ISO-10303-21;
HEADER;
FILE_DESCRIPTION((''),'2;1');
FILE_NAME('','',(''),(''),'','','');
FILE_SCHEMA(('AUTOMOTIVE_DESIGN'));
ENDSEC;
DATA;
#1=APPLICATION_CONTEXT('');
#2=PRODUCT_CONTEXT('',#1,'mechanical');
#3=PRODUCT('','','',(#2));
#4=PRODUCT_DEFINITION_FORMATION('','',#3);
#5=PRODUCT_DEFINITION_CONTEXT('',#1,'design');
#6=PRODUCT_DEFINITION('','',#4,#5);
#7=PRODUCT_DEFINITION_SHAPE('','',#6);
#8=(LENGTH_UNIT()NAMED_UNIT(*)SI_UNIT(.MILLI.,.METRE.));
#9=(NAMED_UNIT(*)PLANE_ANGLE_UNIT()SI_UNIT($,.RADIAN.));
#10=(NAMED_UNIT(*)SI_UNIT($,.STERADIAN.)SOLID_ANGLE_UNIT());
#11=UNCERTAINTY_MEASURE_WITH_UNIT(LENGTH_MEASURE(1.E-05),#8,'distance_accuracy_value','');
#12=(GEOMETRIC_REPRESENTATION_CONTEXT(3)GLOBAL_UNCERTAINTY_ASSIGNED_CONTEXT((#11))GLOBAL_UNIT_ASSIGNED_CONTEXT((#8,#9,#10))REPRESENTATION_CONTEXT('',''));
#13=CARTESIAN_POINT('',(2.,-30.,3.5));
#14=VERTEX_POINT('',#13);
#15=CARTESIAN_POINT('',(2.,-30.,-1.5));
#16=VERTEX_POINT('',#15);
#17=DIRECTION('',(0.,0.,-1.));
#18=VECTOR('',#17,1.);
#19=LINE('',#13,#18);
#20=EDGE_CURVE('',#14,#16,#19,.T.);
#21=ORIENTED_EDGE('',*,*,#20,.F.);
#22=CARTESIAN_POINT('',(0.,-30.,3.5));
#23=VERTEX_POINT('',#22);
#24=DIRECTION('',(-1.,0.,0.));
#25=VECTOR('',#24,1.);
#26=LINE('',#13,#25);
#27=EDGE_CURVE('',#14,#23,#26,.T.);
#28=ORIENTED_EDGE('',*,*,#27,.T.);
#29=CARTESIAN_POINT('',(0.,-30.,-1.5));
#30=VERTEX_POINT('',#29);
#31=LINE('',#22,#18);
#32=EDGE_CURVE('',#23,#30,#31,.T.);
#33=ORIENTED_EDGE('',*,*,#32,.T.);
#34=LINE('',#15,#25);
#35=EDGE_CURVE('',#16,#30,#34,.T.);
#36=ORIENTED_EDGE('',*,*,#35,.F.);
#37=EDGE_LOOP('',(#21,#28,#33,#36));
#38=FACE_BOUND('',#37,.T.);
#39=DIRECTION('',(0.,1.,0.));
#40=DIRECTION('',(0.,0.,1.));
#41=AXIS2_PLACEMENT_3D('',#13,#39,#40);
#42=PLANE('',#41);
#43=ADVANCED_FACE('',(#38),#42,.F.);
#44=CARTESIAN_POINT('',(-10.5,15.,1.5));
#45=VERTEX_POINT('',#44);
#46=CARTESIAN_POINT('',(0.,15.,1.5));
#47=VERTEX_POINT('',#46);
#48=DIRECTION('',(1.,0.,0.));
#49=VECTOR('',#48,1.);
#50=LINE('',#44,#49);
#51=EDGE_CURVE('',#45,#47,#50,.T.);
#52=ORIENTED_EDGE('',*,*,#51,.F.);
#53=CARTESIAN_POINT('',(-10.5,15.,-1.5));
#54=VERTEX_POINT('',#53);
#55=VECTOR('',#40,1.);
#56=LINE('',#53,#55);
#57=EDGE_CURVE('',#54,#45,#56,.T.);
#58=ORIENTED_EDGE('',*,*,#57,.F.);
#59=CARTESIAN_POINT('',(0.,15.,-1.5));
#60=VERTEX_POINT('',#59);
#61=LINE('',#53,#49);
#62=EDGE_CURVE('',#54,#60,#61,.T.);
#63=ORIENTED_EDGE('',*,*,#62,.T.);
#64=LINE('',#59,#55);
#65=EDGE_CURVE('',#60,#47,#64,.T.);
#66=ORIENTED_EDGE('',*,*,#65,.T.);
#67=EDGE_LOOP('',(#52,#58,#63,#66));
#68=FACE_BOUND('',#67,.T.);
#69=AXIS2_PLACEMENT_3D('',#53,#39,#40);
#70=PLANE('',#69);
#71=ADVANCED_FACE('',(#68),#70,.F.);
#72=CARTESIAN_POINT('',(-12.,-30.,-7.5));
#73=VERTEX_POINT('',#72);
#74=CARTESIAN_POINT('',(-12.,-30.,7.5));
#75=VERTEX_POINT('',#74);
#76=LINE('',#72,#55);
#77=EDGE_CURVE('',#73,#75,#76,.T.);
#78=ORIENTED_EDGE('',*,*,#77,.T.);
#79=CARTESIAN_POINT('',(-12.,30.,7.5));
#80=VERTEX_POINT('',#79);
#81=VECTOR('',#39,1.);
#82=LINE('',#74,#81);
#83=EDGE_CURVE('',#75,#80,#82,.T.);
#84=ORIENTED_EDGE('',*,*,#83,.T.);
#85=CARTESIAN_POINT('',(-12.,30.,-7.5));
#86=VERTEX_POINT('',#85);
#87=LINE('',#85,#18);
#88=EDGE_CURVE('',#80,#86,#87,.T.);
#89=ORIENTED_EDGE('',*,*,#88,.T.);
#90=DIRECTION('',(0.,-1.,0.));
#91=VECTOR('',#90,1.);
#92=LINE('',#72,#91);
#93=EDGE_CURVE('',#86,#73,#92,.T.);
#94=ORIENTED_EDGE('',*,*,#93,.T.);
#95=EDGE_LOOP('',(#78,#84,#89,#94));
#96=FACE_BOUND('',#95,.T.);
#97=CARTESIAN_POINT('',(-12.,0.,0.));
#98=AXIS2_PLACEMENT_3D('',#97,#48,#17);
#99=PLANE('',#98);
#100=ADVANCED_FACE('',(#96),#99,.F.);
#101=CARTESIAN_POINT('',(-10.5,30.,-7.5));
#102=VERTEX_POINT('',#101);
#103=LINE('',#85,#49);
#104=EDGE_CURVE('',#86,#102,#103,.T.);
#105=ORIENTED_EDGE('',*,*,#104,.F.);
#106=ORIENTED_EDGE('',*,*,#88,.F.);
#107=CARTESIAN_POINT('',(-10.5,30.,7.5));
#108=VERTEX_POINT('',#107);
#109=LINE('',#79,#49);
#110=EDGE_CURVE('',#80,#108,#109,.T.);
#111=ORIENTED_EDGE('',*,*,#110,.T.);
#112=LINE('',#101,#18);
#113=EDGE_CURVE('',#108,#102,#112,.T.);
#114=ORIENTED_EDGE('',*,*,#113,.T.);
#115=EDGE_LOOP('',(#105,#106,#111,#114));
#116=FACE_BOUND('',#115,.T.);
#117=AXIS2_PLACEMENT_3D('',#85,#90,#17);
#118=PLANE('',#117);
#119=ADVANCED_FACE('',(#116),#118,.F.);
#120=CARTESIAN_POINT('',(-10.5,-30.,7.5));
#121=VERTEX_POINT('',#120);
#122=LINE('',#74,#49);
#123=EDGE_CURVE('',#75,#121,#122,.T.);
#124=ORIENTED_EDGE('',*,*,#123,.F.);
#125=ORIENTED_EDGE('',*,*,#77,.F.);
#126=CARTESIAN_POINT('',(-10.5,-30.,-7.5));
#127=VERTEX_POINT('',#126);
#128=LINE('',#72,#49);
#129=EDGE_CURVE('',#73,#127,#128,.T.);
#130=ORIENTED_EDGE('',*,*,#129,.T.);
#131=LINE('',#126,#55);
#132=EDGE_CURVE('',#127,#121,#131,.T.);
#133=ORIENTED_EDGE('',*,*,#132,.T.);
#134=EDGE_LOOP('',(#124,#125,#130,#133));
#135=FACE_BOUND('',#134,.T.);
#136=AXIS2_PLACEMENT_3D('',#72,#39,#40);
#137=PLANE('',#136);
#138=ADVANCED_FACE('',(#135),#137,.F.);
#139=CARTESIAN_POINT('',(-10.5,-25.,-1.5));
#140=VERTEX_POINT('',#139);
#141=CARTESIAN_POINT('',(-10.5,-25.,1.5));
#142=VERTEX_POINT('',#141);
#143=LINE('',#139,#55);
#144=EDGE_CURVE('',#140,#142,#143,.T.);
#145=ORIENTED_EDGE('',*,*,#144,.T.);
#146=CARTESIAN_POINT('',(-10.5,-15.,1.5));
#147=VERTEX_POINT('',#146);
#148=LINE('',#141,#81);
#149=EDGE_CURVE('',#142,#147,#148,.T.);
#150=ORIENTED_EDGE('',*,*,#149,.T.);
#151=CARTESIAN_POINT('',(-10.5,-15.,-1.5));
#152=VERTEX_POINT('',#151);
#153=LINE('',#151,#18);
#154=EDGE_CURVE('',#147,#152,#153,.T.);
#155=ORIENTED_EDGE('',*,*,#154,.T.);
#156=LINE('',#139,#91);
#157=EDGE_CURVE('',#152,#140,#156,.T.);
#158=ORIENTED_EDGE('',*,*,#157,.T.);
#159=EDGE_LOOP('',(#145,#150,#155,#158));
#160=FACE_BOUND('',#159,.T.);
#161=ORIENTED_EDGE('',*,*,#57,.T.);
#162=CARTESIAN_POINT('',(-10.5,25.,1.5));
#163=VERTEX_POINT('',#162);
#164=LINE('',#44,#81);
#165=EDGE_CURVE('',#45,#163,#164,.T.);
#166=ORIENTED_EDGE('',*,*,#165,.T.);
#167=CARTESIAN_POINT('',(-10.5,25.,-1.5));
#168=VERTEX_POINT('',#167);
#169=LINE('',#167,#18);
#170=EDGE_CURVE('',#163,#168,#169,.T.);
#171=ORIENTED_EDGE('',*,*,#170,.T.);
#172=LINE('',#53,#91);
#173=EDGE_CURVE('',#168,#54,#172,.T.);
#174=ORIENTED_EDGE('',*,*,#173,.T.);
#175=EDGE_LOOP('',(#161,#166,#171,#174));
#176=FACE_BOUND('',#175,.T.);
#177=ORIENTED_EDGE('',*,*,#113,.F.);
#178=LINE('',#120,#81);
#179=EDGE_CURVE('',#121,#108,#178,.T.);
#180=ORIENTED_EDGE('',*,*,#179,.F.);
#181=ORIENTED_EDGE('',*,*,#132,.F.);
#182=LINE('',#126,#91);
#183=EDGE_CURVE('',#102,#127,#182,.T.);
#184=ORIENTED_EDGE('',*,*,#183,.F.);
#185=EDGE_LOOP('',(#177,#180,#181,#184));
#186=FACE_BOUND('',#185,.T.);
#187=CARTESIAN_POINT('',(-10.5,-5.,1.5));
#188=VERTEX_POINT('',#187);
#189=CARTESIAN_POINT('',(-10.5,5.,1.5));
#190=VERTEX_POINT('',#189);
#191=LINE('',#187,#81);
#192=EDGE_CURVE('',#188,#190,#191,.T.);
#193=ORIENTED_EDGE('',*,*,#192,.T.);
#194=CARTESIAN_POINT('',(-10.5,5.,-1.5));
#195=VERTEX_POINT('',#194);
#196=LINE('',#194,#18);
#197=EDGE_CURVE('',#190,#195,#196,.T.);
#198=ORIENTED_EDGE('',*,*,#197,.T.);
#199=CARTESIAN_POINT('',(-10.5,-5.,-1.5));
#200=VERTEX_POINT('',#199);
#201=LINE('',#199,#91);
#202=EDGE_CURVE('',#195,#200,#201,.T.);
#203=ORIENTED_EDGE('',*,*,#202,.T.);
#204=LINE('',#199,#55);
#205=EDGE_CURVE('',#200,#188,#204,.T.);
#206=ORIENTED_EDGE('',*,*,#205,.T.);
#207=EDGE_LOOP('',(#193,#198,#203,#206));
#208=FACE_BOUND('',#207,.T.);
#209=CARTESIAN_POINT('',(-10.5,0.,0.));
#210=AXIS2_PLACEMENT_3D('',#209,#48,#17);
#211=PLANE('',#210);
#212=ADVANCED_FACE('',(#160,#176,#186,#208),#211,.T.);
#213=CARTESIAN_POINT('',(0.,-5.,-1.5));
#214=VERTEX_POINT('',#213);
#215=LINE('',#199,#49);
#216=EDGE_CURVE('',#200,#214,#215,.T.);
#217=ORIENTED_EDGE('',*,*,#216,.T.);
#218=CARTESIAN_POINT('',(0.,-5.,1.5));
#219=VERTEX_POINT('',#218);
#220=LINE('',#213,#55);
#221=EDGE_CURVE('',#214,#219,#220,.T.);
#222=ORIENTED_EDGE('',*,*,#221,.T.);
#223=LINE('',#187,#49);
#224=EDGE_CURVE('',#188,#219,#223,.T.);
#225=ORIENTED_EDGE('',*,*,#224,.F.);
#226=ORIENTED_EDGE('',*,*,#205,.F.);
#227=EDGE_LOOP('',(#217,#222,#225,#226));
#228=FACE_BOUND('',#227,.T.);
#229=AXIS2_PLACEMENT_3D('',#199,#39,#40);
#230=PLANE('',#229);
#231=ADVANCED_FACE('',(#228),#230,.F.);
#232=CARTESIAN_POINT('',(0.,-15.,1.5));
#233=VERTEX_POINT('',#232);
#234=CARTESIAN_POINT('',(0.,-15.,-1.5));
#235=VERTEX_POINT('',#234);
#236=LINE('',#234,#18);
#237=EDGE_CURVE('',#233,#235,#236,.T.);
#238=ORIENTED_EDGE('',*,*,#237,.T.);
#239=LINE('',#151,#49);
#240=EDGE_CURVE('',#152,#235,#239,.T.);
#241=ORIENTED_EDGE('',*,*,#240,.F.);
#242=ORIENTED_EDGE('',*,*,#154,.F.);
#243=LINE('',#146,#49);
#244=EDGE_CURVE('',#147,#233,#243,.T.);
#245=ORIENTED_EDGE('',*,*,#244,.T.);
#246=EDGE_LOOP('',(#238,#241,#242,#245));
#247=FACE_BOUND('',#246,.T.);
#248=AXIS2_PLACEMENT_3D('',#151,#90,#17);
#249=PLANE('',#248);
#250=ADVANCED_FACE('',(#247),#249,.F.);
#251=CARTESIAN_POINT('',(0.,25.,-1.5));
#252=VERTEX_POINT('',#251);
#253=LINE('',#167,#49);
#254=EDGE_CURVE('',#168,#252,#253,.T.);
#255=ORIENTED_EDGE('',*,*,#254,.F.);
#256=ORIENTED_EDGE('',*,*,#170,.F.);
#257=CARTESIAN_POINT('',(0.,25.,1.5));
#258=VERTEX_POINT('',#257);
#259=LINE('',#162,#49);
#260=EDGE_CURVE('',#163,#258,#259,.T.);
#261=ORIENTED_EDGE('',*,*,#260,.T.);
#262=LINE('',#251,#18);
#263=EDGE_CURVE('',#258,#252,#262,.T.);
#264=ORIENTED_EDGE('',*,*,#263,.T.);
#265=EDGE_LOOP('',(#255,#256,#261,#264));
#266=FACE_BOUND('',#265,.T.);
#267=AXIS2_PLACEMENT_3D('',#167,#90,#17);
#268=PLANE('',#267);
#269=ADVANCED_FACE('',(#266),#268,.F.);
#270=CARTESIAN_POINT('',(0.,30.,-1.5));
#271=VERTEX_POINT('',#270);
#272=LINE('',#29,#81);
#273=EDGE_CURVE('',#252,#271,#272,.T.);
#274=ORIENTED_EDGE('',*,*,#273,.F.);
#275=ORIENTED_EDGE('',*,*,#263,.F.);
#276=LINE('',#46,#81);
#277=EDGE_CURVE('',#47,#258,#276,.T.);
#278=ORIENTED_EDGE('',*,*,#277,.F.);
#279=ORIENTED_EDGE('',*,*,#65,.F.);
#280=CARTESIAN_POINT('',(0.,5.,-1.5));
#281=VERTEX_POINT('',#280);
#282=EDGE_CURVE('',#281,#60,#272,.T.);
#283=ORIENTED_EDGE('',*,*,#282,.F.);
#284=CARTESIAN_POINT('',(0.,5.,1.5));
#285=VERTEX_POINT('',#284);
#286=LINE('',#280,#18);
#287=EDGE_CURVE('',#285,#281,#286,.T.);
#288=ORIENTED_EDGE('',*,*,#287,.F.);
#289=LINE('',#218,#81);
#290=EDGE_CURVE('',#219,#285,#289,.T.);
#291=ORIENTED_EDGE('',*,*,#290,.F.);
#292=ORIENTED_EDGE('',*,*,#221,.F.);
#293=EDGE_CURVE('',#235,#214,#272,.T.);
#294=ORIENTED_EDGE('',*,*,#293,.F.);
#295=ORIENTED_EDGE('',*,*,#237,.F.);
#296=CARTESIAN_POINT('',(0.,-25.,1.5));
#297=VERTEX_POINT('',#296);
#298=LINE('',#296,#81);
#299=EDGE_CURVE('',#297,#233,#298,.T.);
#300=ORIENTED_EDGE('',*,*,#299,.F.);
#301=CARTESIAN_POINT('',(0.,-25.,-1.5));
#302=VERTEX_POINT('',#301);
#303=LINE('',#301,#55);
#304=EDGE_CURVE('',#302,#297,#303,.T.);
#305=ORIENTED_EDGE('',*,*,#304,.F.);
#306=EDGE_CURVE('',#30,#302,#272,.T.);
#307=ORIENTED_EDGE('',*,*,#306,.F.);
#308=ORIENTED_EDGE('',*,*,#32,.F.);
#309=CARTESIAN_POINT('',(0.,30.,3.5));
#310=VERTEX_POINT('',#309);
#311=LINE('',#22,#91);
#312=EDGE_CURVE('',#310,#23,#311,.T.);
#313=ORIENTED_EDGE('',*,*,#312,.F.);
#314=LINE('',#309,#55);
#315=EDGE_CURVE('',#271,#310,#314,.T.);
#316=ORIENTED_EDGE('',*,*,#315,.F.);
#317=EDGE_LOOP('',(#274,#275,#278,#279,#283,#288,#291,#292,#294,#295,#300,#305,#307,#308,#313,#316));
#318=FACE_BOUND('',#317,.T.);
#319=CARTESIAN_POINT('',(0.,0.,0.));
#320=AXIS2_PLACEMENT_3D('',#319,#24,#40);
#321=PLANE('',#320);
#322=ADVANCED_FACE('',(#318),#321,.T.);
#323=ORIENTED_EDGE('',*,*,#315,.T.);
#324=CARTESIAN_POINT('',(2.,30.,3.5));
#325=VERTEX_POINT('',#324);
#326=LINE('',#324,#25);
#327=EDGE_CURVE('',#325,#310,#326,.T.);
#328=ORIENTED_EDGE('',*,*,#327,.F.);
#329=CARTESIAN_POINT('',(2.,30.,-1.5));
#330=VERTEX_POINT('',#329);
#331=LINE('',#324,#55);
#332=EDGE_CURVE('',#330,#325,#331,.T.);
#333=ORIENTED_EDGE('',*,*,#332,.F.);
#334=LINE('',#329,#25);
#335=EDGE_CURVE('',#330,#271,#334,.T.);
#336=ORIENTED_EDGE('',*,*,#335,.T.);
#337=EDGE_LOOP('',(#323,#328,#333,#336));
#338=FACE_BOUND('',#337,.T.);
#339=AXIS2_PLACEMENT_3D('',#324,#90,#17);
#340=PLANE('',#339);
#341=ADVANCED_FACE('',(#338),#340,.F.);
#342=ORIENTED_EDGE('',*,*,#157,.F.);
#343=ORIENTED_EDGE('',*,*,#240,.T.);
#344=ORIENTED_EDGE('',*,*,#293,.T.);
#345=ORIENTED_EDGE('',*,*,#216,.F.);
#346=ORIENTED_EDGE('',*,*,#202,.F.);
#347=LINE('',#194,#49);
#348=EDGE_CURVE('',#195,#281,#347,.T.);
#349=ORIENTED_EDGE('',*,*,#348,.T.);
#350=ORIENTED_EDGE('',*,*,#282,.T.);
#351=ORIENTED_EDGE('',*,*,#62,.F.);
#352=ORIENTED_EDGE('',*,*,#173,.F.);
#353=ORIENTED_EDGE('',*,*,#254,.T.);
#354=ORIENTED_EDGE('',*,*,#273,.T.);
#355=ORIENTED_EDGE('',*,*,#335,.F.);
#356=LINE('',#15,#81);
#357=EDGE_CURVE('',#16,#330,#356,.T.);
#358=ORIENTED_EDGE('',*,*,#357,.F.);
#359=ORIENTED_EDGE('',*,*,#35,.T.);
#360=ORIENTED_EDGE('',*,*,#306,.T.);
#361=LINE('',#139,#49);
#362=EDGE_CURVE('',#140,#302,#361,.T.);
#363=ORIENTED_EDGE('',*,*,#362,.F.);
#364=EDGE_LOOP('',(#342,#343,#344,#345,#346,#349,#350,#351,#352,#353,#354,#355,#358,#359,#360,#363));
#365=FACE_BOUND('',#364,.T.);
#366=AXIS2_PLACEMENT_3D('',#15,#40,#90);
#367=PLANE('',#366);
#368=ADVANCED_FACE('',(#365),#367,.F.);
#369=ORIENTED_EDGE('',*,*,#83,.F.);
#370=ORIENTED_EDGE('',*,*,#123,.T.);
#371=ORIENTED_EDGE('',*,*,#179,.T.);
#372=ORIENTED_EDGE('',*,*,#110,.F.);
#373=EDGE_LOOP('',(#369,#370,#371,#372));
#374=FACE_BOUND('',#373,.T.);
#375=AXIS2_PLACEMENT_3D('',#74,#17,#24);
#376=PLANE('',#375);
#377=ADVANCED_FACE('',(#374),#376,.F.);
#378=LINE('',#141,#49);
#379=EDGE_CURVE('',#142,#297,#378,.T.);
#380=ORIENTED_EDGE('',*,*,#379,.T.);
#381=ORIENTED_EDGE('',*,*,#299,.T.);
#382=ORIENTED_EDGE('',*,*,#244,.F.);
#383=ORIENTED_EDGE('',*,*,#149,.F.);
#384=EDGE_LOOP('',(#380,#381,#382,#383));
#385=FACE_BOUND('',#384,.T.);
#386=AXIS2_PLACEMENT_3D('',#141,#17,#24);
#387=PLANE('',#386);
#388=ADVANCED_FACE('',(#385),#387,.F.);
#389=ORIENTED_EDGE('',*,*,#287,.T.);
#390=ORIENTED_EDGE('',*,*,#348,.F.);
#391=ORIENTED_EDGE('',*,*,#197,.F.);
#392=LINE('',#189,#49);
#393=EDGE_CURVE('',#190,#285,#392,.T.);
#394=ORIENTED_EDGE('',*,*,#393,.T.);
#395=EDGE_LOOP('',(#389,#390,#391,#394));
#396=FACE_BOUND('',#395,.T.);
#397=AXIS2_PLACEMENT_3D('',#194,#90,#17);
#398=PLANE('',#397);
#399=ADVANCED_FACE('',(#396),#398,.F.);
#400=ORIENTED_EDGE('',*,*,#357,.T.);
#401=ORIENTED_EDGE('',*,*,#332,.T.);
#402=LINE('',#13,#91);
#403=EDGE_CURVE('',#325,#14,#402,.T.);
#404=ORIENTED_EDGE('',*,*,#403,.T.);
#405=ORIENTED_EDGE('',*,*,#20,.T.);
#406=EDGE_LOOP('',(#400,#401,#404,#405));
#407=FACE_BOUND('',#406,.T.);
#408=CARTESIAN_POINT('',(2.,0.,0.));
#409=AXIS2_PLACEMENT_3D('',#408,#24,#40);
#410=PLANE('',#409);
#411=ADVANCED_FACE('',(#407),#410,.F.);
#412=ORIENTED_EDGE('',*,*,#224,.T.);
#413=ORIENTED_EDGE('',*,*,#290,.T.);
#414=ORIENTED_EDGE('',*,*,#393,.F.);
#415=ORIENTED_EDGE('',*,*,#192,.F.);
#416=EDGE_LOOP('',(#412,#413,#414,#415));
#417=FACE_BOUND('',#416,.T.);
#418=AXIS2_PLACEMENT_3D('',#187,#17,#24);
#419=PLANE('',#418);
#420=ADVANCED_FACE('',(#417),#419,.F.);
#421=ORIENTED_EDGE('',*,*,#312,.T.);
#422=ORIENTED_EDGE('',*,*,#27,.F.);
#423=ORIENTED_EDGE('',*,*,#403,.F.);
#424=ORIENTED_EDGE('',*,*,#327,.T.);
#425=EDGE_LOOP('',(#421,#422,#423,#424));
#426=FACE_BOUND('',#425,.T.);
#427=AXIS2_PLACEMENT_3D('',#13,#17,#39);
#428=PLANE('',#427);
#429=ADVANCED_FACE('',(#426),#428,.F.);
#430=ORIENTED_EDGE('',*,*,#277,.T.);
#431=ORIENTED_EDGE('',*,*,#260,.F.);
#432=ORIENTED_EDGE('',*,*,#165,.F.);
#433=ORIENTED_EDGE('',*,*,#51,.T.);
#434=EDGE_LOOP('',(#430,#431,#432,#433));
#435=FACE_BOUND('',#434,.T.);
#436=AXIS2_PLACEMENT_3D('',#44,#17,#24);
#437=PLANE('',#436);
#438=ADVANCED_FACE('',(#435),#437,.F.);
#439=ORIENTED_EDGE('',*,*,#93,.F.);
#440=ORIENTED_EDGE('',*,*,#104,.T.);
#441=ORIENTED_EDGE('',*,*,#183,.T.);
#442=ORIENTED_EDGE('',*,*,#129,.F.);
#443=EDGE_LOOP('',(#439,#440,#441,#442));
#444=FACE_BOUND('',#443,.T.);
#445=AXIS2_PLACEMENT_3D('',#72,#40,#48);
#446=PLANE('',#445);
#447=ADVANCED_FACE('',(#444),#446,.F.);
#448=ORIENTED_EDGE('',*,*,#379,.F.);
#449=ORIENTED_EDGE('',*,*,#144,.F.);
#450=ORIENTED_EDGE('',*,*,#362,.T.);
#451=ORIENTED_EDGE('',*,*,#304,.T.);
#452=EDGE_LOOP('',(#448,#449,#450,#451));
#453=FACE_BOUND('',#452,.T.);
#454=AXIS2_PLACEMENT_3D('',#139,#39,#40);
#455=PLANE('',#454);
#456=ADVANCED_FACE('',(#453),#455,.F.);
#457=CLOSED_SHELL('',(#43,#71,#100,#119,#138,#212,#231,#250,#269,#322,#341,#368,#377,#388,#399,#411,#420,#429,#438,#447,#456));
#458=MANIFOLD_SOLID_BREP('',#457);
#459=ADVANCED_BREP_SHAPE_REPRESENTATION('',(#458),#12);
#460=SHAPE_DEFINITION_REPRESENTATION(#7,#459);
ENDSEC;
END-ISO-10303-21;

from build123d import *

# Parameters (mm, degrees)
SKETCH_1_W      = 5
SKETCH_1_H      = 60
EXTRUDE_1_DEPTH = 2
SKETCH_2_W      = 3
SKETCH_2_H      = 10
EXTRUDE_2_DEPTH = 10.5
SKETCH_3_W      = 15
SKETCH_3_H      = 60
EXTRUDE_3_DEPTH = 1.5


with BuildPart() as part:
    # 草图1 → 凸台-拉伸1 (new body)
    with BuildSketch(Plane(origin=(0, 0, 0), x_dir=(0, 0, -1), z_dir=(1, 0, 0))):
        with Locations((-1, 0)):
            Rectangle(SKETCH_1_W, SKETCH_1_H)
    extrude(amount=EXTRUDE_1_DEPTH)

    # 草图2 → 凸台-拉伸2 (add)
    with BuildSketch(Plane.ZY):
        with Locations((0, 20)):
            Rectangle(SKETCH_2_W, SKETCH_2_H)
        Rectangle(SKETCH_2_W, SKETCH_2_H)
        with Locations((0, -20)):
            Rectangle(SKETCH_2_W, SKETCH_2_H)
    extrude(amount=EXTRUDE_2_DEPTH)

    # 草图3 → 凸台-拉伸3 (add)
    with BuildSketch(Plane.ZY.offset(10.5)):
        Rectangle(SKETCH_3_W, SKETCH_3_H)
    extrude(amount=EXTRUDE_3_DEPTH)


solid = part.part
